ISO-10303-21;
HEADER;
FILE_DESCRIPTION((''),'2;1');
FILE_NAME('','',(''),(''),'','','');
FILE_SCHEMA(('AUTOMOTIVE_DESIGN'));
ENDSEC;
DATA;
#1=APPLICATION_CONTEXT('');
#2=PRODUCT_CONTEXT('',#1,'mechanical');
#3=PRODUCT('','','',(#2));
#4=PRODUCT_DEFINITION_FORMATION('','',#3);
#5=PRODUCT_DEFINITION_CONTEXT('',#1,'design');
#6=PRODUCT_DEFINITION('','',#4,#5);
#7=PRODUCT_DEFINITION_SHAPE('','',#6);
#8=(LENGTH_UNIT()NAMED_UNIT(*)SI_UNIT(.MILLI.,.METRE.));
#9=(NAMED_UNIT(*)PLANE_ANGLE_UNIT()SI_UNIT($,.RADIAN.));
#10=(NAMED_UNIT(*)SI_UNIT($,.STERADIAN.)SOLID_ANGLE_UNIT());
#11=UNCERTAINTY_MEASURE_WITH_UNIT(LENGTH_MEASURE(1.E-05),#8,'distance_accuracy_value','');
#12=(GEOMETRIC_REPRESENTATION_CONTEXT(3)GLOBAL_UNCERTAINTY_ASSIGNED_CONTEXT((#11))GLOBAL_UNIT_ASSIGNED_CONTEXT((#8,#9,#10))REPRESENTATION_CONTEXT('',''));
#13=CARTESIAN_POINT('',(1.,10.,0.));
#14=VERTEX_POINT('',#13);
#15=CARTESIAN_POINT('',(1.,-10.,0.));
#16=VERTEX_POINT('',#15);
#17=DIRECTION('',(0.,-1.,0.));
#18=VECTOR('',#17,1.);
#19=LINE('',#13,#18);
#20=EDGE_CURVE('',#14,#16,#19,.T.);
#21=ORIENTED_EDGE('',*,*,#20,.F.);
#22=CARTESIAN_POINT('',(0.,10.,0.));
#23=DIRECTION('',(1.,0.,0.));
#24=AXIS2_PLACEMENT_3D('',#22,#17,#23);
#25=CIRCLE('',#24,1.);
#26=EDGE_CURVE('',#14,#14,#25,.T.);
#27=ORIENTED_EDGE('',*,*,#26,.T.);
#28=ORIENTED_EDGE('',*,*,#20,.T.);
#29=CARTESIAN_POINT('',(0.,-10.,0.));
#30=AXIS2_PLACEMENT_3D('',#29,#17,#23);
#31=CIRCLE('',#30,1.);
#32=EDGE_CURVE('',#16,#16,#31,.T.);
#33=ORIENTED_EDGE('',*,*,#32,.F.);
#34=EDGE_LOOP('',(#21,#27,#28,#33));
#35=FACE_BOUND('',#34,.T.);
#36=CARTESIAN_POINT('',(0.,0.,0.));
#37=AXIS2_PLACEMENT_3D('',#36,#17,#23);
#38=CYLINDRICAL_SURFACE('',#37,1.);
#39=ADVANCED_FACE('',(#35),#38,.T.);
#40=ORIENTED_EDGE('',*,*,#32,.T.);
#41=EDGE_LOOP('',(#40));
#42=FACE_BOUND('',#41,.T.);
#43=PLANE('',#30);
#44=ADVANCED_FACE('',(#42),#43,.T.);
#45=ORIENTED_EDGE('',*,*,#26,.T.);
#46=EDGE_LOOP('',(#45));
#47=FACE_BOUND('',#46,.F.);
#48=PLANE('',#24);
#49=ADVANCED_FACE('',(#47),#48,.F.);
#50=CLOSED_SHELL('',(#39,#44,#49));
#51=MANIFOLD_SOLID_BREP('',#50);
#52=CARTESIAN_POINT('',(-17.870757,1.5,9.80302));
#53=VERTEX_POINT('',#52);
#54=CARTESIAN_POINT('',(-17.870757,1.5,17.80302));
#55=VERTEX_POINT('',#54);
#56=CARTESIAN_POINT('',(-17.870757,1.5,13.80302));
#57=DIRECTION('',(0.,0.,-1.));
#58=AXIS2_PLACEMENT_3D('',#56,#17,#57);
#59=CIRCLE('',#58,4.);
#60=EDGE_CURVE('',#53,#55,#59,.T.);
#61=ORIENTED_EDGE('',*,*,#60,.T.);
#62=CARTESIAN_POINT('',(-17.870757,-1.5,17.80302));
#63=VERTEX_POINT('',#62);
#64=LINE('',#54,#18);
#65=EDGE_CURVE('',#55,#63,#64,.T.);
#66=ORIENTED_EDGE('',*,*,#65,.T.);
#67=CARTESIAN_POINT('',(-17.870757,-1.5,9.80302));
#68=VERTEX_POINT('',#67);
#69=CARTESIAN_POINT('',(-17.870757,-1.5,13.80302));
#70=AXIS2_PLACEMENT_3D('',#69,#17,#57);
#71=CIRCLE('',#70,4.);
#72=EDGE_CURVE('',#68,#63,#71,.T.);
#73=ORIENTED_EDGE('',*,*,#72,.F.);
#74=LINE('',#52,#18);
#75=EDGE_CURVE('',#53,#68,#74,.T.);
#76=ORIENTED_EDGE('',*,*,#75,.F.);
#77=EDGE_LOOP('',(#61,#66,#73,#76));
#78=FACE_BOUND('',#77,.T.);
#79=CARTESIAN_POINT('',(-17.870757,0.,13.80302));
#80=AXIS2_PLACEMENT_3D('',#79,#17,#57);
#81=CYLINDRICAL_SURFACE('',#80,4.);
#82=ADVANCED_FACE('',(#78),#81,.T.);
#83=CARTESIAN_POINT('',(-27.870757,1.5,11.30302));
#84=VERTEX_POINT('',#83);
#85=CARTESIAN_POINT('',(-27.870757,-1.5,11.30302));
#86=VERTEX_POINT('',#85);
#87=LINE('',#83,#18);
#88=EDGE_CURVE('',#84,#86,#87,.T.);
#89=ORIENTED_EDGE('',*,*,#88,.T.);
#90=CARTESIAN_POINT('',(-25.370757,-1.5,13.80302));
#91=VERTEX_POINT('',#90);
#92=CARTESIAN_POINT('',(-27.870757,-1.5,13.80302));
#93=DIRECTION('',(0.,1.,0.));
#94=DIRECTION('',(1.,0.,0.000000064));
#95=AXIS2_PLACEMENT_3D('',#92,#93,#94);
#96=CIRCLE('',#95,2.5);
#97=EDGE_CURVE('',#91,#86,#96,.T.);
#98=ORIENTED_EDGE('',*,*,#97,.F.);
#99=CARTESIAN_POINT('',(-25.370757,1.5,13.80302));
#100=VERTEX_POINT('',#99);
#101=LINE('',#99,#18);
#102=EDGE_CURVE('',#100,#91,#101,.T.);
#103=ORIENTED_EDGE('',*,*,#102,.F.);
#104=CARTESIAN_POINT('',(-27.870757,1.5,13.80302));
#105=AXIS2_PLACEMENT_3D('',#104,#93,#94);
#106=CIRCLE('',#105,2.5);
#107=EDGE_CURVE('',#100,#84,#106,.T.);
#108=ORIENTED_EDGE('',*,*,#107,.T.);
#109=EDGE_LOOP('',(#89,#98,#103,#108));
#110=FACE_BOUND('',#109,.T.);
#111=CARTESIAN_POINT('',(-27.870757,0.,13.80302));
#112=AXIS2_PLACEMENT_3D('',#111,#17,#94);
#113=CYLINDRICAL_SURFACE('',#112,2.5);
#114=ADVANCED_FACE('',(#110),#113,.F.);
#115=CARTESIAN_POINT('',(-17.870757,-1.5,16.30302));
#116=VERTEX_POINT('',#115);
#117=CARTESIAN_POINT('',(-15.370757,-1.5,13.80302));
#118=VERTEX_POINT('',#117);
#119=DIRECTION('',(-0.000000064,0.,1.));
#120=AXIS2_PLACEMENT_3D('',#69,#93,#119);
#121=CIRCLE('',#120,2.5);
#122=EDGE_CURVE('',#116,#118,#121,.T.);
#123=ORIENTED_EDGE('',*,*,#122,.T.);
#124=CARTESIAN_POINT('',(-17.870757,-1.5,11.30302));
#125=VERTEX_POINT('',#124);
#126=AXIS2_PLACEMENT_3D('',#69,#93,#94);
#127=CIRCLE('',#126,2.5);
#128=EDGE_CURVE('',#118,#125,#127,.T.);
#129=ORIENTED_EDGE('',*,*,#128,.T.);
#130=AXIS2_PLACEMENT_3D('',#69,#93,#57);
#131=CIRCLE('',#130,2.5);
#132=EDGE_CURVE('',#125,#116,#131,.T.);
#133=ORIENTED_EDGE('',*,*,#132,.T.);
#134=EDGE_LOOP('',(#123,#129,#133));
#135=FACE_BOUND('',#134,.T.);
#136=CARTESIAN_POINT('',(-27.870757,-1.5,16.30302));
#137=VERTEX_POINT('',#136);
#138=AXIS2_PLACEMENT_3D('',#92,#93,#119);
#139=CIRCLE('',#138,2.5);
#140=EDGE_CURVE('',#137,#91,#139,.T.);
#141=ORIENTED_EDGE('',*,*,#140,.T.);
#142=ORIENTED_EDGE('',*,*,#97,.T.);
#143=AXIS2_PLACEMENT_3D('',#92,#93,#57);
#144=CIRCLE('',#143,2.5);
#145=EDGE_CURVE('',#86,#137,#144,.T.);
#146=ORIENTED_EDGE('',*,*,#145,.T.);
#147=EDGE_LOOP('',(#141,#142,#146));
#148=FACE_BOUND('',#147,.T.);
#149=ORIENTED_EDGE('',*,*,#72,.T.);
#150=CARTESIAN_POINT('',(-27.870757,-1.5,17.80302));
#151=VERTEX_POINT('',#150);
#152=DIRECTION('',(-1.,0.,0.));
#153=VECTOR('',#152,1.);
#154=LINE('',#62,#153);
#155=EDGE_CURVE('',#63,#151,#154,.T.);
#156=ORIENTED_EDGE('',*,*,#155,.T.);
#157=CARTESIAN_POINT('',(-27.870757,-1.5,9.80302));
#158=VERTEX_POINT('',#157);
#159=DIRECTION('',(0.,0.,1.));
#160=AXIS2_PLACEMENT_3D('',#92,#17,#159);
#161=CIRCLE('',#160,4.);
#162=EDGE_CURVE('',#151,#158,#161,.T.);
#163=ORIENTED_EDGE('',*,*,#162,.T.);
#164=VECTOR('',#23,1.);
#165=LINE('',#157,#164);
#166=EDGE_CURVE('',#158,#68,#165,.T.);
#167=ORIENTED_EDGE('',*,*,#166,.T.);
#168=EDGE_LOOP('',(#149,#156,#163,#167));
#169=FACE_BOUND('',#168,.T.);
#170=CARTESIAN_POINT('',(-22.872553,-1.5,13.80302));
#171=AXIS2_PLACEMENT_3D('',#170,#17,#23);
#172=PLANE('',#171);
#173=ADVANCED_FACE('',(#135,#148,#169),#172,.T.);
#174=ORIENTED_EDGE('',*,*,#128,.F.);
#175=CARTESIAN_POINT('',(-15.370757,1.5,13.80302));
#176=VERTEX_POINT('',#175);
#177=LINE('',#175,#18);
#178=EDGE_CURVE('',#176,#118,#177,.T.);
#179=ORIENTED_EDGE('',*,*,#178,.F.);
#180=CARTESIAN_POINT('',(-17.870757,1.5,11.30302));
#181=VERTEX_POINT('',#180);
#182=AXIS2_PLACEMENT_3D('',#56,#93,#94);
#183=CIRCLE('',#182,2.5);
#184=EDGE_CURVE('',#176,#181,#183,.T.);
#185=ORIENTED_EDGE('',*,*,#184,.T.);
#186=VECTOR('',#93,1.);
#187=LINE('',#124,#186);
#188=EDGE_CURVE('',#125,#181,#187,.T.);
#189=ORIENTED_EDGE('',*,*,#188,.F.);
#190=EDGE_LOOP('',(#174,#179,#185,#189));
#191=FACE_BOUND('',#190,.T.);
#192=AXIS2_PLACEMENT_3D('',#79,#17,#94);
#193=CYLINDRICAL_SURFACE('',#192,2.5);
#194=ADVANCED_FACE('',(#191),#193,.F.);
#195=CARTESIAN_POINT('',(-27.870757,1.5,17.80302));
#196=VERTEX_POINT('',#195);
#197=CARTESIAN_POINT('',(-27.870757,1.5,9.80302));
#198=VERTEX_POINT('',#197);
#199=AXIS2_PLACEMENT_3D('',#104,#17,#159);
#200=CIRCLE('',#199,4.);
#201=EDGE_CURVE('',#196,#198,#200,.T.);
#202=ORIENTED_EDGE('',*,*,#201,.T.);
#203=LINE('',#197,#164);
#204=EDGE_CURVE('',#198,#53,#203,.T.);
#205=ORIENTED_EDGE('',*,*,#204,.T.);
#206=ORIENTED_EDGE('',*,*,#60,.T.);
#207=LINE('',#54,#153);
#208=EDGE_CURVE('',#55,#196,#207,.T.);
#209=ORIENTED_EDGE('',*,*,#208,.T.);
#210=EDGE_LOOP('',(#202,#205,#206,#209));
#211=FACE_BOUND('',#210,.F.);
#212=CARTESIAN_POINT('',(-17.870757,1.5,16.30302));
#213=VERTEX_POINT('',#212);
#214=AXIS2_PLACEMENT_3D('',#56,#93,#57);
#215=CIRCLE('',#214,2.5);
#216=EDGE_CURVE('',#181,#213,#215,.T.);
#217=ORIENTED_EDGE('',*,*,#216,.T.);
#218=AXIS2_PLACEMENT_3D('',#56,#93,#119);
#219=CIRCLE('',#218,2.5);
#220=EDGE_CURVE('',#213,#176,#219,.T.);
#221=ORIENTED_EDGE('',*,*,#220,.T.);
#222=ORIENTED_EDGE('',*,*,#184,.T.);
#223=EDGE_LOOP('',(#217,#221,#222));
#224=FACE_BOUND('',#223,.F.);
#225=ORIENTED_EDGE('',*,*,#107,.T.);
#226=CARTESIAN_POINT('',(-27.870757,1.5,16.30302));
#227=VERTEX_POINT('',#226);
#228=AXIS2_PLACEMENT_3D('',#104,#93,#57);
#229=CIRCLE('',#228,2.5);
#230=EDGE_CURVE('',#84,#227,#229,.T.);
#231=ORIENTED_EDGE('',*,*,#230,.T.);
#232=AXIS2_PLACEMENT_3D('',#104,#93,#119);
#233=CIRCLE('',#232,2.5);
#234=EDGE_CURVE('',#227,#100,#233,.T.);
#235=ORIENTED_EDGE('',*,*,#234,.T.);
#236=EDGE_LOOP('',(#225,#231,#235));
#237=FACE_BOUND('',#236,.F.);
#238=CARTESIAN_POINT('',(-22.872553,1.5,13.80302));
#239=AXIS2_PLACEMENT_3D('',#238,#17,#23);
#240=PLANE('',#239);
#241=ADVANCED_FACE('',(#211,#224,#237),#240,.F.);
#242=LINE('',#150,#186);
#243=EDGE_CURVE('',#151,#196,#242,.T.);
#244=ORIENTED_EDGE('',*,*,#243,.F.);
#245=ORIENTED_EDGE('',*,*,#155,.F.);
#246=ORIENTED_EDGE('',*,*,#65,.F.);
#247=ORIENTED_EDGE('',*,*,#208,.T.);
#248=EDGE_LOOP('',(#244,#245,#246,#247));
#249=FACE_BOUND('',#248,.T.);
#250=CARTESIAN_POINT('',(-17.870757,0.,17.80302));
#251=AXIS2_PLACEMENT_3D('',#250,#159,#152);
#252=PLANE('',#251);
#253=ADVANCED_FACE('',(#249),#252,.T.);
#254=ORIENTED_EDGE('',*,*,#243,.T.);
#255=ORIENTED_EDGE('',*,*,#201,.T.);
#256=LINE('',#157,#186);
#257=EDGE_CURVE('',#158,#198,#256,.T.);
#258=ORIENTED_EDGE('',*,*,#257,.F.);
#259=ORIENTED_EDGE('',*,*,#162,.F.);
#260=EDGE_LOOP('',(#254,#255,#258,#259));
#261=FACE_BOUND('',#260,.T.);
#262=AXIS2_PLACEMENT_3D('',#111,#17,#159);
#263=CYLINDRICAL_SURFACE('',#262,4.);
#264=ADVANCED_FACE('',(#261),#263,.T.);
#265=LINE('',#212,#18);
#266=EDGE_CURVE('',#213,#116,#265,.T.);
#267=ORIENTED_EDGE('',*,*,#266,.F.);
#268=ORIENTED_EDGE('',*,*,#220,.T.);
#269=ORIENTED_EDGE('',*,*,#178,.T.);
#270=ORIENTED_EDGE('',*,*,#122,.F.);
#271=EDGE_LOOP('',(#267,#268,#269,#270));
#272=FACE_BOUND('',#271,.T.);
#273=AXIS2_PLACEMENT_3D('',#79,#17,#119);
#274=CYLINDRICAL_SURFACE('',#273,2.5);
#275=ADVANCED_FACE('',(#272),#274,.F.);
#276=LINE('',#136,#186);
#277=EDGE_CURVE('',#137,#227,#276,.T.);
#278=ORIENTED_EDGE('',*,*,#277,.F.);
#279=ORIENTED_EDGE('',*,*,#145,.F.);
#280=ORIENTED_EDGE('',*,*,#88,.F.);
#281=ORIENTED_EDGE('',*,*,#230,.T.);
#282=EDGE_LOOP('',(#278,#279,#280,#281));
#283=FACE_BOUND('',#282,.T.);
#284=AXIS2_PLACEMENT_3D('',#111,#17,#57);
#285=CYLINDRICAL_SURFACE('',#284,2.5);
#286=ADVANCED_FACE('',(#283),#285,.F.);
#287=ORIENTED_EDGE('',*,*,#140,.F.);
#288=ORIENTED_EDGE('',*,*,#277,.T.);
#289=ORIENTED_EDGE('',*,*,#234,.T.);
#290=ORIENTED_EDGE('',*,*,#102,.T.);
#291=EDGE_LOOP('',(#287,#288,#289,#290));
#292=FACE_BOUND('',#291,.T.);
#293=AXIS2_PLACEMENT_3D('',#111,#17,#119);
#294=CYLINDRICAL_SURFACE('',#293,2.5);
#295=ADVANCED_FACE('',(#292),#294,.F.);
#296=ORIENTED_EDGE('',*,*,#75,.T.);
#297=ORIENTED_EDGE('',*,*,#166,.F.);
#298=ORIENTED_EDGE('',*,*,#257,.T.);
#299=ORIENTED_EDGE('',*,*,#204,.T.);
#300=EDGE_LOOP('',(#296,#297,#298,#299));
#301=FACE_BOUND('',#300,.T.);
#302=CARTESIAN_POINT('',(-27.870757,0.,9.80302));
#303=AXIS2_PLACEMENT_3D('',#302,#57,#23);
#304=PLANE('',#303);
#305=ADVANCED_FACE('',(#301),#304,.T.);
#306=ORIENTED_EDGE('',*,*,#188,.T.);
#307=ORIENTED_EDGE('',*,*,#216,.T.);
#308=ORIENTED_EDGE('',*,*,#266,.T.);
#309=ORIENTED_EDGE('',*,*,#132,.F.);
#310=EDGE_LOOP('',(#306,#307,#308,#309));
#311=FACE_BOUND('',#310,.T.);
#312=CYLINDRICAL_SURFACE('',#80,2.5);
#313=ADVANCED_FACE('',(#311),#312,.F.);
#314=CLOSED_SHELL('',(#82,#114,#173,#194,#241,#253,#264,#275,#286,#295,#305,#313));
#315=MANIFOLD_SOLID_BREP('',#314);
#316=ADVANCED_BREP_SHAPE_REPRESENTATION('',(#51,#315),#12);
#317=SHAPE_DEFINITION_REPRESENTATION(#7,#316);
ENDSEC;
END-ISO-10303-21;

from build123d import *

# Parameters (mm, degrees)
F1_DEPTH = 1.5
F2_R     = 1
F3_DEPTH = 10


with BuildPart() as f1:
    # F0 (on Front) → F1 (new body, symmetric)
    with BuildSketch(Plane.XZ):
        with BuildLine():
            Line((-27.870757, 11.30302), (-27.870757, 9.80302))
            Line((-27.870757, 9.80302), (-17.870757, 9.80302))
            Line((-17.870757, 9.80302), (-17.870757, 11.30302))
            ThreePointArc((-17.870757, 11.30302), (-20.370757, 13.80302), (-17.870757, 16.30302))
            Line((-17.870757, 16.30302), (-17.870757, 17.80302))
            Line((-17.870757, 17.80302), (-27.870757, 17.80302))
            Line((-27.870757, 17.80302), (-27.870757, 16.30302))
            ThreePointArc((-27.870757, 16.30302), (-26.10299, 15.570787), (-25.370757, 13.80302))
            ThreePointArc((-25.370757, 13.80302), (-26.10299, 12.035253), (-27.870757, 11.30302))
        make_face()
        with BuildLine():
            Line((-17.870757, 11.30302), (-17.870757, 9.80302))
            ThreePointArc((-17.870757, 9.80302), (-13.870757, 13.80302), (-17.870757, 17.80302))
            Line((-17.870757, 17.80302), (-17.870757, 16.30302))
            ThreePointArc((-17.870757, 16.30302), (-16.10299, 15.570787), (-15.370757, 13.80302))
            ThreePointArc((-15.370757, 13.80302), (-16.10299, 12.035253), (-17.870757, 11.30302))
        make_face()
        with BuildLine():
            ThreePointArc((-27.870757, 17.80302), (-31.870757, 13.80302), (-27.870757, 9.80302))
            Line((-27.870757, 9.80302), (-27.870757, 11.30302))
            ThreePointArc((-27.870757, 11.30302), (-30.370757, 13.80302), (-27.870757, 16.30302))
            Line((-27.870757, 16.30302), (-27.870757, 17.80302))
        make_face()
    extrude(amount=F1_DEPTH, both=True)


with BuildPart() as f3:
    # F2 (on Front) → F3 (new body, symmetric)
    with BuildSketch(Plane.XZ):
        Circle(F2_R)
    extrude(amount=F3_DEPTH, both=True)


solid = Compound([f1.part, f3.part])
